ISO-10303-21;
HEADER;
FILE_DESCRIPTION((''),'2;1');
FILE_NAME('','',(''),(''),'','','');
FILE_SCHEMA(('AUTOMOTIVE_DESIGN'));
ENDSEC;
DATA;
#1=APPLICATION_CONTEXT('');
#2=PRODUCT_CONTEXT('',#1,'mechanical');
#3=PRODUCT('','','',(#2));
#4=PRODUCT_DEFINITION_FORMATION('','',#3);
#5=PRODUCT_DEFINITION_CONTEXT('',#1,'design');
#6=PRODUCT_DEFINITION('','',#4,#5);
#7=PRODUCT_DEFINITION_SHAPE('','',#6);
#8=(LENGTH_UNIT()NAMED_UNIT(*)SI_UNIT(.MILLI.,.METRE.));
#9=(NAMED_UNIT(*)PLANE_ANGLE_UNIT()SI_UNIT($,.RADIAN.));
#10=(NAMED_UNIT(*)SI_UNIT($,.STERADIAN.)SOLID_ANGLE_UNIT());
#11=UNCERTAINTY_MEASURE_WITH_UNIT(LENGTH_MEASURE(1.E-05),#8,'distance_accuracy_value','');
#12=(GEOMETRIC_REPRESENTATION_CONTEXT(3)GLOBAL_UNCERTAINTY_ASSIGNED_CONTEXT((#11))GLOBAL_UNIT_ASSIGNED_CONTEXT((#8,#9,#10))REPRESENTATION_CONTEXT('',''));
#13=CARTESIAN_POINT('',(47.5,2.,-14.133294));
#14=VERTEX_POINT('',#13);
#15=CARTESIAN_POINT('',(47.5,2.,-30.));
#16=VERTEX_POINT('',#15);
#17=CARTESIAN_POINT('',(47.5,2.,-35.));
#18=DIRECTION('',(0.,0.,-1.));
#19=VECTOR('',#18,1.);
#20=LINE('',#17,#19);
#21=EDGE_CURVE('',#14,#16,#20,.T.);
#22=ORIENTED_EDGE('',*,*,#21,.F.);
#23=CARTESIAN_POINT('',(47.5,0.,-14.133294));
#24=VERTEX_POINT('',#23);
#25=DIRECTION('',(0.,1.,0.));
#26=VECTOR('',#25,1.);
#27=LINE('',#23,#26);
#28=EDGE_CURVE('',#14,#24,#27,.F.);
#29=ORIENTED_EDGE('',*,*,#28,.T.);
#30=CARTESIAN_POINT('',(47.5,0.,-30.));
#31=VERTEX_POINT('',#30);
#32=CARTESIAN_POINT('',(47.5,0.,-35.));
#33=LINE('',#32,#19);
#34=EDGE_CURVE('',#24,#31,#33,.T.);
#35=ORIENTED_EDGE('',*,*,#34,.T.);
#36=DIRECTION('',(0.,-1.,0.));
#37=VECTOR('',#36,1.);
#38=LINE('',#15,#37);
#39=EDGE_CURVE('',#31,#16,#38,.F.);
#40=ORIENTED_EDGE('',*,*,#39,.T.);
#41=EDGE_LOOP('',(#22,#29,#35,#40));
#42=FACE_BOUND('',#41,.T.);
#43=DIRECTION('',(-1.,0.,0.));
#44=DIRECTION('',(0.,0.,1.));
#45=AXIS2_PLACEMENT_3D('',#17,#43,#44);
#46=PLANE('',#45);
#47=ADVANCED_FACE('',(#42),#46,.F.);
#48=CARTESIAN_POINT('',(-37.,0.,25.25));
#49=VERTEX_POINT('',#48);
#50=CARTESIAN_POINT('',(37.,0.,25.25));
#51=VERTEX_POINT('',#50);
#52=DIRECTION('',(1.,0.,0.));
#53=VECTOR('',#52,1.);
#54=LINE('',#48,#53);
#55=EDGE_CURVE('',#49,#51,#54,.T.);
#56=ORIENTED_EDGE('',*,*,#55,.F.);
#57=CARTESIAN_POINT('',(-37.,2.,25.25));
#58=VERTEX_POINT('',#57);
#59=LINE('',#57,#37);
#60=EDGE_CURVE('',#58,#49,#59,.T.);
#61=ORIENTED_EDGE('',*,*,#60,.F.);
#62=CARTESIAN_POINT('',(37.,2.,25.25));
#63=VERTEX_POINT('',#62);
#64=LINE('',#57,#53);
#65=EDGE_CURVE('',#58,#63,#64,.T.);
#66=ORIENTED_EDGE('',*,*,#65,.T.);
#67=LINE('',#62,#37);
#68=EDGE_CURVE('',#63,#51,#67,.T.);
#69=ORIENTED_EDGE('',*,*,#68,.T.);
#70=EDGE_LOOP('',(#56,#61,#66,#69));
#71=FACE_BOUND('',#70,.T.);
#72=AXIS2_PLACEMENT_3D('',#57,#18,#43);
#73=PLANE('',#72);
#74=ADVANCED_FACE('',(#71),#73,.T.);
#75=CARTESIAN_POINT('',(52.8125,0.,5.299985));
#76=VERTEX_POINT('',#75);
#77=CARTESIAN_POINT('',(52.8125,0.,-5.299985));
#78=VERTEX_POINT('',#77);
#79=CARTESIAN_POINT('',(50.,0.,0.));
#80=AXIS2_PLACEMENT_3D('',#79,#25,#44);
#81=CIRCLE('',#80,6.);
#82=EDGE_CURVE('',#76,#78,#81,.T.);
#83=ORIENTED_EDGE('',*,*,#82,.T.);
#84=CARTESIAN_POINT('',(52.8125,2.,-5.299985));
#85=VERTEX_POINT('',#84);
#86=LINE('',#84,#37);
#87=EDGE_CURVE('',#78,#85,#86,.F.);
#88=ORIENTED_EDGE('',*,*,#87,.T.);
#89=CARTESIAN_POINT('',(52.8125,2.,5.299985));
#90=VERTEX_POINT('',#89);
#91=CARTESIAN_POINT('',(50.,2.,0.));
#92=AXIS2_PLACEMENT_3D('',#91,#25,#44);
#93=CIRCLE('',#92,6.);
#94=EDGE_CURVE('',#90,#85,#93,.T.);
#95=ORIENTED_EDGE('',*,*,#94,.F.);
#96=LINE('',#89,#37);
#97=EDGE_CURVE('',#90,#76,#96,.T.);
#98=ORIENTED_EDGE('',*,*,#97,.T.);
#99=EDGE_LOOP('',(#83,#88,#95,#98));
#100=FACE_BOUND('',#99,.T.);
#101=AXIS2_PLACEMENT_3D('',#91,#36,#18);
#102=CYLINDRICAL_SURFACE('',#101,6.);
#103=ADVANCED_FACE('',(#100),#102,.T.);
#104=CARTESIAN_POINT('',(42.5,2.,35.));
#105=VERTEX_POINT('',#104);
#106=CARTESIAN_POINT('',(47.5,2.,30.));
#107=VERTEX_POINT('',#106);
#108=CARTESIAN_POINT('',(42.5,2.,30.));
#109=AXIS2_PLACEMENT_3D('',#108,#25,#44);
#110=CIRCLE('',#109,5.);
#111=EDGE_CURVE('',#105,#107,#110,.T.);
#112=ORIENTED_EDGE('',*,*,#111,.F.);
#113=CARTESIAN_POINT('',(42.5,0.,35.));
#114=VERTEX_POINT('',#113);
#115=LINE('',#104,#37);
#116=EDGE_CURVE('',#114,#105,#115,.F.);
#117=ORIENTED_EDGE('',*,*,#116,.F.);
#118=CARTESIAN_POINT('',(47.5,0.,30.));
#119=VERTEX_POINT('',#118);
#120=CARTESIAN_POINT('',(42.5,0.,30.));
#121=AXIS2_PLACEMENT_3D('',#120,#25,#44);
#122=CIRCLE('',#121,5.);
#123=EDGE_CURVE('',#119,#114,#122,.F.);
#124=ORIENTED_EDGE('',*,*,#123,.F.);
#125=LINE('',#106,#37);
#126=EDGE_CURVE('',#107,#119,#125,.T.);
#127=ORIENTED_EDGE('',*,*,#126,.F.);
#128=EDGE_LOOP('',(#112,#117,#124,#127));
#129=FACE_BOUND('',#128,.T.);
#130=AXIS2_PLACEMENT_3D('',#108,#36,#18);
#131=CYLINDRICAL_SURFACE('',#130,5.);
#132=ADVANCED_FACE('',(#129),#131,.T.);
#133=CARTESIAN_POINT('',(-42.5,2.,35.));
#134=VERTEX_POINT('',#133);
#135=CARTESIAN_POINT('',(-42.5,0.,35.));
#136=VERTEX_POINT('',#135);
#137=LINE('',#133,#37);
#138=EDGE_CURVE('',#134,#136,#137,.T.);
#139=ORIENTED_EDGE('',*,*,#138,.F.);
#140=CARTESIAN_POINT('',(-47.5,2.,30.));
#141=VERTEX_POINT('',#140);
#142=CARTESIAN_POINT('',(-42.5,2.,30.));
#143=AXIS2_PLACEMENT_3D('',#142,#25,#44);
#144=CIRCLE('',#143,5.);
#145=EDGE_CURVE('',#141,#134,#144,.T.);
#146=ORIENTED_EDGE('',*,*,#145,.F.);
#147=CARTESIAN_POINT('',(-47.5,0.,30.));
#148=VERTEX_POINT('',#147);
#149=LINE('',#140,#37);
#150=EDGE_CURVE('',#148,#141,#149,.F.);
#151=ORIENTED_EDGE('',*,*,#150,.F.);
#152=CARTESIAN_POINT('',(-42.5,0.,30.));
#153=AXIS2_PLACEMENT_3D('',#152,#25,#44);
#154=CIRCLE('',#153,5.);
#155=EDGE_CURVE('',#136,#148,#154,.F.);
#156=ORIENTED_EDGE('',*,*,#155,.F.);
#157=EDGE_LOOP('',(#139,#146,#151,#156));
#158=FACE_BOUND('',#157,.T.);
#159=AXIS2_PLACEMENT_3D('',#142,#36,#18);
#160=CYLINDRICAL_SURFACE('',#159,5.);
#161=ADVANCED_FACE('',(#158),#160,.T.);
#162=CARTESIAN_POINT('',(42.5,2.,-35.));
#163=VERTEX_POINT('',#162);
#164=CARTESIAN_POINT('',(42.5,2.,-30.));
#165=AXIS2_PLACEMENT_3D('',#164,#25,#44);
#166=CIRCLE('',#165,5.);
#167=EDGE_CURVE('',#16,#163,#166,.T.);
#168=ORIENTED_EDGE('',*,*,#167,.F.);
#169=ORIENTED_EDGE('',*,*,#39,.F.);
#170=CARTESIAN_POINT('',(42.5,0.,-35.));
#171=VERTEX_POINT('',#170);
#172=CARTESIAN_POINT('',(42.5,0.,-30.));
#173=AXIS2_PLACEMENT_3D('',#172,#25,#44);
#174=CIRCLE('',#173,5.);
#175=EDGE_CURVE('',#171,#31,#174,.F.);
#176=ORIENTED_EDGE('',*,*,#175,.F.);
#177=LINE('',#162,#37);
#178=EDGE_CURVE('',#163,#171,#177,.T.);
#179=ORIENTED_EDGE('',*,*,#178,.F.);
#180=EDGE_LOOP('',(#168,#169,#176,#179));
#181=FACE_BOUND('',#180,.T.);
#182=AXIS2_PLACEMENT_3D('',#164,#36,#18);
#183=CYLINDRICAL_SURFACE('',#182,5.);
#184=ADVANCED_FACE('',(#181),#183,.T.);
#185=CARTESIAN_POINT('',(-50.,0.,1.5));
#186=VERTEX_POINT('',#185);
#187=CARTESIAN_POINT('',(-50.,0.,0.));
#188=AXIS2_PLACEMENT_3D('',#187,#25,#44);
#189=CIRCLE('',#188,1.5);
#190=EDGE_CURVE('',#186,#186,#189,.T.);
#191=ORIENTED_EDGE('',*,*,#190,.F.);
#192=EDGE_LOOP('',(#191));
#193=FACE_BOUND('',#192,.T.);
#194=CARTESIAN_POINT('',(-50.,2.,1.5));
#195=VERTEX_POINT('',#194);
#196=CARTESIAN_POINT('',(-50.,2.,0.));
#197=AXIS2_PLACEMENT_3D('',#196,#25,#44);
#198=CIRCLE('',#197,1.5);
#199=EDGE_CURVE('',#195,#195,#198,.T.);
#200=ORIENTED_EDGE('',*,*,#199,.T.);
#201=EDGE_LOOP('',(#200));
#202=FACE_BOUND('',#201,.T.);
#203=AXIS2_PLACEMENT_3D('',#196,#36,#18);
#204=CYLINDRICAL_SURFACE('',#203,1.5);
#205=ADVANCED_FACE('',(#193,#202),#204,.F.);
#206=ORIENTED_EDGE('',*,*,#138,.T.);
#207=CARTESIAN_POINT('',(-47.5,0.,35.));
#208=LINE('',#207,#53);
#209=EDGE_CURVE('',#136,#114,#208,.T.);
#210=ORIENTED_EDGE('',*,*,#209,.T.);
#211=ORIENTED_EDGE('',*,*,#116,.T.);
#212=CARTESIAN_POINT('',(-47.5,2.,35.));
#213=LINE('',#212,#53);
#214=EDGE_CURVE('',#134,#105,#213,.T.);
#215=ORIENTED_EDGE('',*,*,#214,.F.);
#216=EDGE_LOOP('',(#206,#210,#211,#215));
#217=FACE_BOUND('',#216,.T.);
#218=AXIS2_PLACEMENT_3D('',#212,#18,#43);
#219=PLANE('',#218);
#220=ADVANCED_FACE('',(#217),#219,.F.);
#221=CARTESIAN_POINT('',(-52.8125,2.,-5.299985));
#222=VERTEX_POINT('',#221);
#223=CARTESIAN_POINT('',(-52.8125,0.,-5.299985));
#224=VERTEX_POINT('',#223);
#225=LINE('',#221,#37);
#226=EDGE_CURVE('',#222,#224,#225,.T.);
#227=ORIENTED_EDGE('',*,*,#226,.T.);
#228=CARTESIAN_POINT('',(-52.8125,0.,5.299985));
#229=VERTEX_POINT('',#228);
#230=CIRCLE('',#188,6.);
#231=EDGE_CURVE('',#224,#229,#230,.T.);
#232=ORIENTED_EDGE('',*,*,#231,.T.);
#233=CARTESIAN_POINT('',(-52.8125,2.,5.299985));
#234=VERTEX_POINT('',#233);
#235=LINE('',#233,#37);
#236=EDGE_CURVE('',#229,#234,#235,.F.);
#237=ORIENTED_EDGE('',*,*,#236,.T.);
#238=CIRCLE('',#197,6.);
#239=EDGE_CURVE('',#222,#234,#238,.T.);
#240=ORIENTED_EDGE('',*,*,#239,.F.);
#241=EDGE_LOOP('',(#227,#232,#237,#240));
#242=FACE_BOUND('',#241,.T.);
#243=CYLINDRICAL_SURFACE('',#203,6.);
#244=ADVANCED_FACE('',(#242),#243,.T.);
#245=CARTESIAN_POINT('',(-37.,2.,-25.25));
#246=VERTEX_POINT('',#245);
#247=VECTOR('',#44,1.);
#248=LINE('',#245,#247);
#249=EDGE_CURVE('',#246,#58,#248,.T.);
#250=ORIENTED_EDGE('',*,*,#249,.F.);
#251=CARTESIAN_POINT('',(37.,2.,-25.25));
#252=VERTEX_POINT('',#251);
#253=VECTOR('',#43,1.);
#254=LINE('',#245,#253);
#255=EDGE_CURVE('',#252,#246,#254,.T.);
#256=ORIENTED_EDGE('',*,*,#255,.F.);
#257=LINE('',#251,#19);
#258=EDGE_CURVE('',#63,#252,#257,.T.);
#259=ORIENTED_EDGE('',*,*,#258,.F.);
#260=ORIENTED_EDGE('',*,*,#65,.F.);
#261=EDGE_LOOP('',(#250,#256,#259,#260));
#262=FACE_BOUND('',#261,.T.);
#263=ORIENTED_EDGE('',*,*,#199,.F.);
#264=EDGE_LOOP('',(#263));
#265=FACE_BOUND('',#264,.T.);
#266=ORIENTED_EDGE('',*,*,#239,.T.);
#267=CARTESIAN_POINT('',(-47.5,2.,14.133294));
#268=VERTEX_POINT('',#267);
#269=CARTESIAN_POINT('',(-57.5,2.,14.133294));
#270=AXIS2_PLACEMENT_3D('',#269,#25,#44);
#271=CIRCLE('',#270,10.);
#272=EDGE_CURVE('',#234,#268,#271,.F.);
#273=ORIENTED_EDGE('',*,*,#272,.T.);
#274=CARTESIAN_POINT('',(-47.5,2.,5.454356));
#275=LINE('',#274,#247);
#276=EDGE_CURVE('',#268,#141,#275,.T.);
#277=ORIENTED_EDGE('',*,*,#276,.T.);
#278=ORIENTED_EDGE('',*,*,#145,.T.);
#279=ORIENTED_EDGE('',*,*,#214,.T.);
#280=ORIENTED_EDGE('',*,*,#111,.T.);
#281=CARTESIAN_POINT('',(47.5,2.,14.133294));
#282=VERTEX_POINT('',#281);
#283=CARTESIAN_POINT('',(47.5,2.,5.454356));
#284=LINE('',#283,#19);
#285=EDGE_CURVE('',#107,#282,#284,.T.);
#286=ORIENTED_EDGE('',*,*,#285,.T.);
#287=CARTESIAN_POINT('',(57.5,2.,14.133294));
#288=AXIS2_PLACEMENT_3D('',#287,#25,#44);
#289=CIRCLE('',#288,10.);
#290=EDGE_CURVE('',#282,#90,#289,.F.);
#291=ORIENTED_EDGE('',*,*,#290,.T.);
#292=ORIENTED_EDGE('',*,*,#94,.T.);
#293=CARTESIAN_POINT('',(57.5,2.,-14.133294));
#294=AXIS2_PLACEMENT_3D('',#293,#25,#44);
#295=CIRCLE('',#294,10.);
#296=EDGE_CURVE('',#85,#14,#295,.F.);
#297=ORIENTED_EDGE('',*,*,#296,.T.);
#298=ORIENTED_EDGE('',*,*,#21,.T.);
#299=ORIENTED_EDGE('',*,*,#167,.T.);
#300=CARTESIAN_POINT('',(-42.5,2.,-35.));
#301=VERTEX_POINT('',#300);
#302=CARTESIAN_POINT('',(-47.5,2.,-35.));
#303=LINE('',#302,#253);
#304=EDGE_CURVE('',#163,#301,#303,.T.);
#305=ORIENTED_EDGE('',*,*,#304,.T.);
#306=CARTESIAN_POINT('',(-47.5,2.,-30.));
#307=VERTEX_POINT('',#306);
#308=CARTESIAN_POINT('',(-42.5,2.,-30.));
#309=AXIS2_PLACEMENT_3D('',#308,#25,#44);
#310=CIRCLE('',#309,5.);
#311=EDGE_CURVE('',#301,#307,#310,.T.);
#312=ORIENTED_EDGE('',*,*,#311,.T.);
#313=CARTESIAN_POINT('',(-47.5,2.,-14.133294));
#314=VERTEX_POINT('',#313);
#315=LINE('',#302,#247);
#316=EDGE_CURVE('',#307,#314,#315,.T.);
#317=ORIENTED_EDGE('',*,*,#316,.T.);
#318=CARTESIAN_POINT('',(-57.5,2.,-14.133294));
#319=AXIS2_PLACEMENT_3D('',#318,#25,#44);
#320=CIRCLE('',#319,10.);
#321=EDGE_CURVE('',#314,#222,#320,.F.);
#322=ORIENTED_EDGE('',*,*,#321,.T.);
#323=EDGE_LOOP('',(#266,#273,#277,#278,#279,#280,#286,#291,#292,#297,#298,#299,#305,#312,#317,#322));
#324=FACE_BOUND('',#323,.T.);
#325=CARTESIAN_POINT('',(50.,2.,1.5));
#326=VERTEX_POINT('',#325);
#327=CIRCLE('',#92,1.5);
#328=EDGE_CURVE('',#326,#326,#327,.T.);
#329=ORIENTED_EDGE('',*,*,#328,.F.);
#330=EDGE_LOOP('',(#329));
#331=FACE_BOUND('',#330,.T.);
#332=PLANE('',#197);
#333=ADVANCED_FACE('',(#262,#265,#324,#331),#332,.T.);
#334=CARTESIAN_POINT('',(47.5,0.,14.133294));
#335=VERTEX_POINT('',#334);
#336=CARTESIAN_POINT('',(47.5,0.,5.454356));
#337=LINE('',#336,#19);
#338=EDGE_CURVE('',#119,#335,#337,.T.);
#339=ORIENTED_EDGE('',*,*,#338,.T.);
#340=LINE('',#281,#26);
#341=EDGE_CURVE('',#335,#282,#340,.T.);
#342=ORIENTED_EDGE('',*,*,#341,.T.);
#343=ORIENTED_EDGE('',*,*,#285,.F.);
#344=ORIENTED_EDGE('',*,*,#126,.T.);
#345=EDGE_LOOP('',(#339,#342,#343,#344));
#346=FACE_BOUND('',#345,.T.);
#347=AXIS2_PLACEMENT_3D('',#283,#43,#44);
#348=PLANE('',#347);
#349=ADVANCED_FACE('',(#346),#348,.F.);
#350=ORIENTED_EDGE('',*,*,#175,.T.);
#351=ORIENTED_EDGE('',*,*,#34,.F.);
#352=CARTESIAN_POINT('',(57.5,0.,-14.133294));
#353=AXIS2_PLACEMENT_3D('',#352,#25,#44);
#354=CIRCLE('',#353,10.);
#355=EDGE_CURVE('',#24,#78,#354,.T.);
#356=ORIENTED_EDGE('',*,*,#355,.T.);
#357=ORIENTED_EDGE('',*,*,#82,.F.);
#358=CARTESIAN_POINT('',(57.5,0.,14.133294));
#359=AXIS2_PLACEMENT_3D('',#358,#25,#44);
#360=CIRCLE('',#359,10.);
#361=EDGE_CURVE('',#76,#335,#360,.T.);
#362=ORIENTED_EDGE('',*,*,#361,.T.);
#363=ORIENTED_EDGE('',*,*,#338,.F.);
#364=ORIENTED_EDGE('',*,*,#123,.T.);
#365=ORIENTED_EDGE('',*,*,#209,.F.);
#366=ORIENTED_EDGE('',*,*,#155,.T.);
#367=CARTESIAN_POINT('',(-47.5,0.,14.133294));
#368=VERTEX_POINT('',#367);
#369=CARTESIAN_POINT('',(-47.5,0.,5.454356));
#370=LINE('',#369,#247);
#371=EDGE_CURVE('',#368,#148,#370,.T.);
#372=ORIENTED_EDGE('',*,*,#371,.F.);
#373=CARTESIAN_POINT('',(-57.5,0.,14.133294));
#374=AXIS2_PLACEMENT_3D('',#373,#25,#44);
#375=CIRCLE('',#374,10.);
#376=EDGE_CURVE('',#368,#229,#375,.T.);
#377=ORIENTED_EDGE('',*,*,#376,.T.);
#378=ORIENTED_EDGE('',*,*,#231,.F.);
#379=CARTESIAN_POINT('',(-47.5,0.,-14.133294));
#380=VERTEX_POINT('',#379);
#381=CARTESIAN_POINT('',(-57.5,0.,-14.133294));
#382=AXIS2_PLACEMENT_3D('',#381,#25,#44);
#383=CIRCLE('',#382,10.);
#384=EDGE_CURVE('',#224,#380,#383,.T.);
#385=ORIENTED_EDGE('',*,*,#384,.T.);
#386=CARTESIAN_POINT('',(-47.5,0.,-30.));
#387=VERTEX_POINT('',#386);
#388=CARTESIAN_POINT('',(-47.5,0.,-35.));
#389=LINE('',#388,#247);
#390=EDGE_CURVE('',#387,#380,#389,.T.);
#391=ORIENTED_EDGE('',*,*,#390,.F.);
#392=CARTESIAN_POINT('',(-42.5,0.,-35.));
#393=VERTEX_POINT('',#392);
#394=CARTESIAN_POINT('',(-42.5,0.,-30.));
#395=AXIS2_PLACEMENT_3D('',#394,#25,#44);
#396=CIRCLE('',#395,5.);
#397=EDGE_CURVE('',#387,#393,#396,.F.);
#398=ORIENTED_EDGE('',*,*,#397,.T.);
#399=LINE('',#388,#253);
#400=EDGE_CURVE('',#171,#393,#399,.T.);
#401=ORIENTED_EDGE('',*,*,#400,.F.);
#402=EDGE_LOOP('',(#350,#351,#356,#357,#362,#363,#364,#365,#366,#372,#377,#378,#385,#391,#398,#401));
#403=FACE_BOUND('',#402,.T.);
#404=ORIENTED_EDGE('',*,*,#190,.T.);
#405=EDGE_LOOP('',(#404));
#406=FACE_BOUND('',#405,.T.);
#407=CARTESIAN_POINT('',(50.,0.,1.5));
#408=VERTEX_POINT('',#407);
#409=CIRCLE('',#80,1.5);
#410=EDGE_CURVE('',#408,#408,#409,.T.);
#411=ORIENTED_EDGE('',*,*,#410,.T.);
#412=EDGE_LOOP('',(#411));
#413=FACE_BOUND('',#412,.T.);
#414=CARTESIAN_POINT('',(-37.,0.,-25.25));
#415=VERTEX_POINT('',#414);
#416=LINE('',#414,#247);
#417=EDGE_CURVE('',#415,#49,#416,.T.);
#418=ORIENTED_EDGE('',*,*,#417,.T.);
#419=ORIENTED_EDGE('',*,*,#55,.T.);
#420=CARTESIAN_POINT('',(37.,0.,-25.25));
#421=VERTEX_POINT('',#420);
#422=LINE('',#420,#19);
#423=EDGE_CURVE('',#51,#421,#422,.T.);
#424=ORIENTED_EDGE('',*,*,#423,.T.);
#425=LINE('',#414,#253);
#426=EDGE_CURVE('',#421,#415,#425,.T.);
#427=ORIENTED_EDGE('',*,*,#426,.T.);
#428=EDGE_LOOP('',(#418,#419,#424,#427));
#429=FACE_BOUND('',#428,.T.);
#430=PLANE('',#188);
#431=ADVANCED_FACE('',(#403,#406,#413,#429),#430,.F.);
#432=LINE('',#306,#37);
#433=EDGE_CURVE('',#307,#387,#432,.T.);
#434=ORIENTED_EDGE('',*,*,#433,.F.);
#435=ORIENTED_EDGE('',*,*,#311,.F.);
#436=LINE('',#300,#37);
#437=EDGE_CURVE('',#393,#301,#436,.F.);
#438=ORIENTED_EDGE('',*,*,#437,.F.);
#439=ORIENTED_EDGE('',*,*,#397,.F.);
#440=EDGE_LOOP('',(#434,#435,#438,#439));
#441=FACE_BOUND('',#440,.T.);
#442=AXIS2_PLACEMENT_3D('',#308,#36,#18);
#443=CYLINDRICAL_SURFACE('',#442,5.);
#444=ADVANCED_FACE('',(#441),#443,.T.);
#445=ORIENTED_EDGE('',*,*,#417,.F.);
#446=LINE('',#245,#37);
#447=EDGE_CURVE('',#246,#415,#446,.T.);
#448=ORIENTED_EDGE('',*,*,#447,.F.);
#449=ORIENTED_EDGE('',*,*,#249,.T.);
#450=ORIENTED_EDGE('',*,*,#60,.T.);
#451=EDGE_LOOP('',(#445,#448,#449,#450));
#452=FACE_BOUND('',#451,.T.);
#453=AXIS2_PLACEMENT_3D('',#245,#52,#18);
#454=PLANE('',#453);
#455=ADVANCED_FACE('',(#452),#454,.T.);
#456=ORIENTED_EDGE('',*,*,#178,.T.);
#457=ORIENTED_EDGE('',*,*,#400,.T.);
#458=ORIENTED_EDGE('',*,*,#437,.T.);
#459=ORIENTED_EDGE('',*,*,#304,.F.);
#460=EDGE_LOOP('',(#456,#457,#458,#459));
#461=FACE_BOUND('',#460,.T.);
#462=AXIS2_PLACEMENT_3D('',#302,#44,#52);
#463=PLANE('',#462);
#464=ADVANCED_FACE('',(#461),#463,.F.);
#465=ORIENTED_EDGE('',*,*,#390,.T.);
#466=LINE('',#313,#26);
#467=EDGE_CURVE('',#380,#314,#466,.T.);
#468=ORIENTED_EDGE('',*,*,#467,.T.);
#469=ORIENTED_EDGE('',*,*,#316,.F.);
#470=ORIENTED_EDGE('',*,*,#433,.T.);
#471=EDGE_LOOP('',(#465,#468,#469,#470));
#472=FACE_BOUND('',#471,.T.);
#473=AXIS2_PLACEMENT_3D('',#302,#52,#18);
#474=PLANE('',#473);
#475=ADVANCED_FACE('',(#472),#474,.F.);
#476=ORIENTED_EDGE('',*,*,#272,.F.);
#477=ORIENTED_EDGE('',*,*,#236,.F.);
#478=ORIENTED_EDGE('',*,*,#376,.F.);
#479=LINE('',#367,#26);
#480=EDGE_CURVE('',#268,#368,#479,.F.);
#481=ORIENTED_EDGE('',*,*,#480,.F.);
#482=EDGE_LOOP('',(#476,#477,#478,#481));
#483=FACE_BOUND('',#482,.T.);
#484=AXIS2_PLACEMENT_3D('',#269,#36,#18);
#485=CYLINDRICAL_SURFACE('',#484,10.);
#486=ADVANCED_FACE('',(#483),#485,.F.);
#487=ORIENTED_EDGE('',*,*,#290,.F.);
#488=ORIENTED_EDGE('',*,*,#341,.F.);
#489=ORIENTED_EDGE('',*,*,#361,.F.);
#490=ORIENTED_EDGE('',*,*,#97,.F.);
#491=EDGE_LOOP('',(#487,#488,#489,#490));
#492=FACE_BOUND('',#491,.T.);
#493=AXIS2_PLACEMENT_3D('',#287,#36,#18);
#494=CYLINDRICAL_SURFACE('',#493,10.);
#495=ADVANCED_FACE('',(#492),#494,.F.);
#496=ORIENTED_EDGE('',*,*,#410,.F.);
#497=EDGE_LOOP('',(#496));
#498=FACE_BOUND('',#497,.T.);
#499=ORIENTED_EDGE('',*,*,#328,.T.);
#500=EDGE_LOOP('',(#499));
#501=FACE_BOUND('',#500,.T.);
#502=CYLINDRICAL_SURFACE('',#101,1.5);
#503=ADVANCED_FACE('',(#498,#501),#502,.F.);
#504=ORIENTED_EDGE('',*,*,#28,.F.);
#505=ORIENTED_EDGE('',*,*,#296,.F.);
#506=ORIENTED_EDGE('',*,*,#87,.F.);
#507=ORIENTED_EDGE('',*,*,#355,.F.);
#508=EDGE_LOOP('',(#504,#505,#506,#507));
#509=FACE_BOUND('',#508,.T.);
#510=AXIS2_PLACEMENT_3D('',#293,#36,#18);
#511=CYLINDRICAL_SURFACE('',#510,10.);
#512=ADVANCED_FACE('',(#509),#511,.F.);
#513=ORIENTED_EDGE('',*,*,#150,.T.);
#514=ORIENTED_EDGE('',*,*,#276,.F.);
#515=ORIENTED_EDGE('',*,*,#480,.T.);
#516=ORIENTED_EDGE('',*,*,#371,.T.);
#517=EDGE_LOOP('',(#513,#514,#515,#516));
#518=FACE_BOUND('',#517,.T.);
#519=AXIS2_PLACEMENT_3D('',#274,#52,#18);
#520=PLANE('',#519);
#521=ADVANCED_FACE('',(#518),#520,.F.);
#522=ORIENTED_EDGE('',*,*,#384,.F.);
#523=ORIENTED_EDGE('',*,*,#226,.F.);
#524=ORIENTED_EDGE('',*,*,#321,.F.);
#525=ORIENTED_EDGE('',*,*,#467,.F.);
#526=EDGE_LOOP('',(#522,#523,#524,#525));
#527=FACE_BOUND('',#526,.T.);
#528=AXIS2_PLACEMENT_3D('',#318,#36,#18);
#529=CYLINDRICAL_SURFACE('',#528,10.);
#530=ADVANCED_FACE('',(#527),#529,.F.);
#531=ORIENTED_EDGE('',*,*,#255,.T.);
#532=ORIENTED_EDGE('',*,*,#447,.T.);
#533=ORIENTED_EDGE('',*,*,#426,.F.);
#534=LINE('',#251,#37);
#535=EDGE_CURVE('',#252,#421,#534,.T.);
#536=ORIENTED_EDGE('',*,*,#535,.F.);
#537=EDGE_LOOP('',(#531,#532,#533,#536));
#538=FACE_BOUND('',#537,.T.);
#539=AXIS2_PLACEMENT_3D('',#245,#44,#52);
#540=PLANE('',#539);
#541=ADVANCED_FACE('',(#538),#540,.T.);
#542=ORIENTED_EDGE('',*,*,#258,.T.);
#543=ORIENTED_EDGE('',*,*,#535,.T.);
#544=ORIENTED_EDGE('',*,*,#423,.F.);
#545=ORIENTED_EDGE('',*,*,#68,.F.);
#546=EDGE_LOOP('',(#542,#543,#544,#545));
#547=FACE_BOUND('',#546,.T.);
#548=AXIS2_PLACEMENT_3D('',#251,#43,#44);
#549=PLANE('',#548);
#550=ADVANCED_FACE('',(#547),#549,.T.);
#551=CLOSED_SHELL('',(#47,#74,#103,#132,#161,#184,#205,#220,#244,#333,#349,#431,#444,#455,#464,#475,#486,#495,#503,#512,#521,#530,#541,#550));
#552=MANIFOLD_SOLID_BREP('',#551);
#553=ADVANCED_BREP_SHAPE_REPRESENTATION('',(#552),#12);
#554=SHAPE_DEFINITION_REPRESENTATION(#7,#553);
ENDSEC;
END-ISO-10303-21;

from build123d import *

# Parameters (mm, degrees)
SKETCH2_R           = 1.5
SKETCH2_W           = 74
SKETCH2_H           = 50.5
BOSS_EXTRUDE1_DEPTH = 2
FILLET1_R           = 5
FILLET2_R           = 10


with BuildPart() as part:
    # Sketch2 → Boss-Extrude1 (new body)
    with BuildSketch(Plane(origin=(0, 0, 0), x_dir=(1, 0, 0), z_dir=(0, 1, 0))):
        with BuildLine():
            Line((-47.5, 35), (47.5, 35))
            Line((47.5, 35), (47.5, 5.454356057))
            ThreePointArc((47.5, 5.454356057), (56, 0), (47.5, -5.454356057))
            Line((47.5, -5.454356057), (47.5, -35))
            Line((47.5, -35), (-47.5, -35))
            Line((-47.5, -35), (-47.5, -5.454356057))
            ThreePointArc((-47.5, -5.454356057), (-56, 0), (-47.5, 5.454356057))
            Line((-47.5, 5.454356057), (-47.5, 35))
        make_face()
        with Locations(Location((-50, 0, 0), (0, 0, 270))):
            Circle(SKETCH2_R, mode=Mode.SUBTRACT)
        with Locations(Location((50, 0, 0), (0, 0, 270))):
            Circle(SKETCH2_R, mode=Mode.SUBTRACT)
        Rectangle(SKETCH2_W, SKETCH2_H, mode=Mode.SUBTRACT)
    extrude(amount=BOSS_EXTRUDE1_DEPTH)

    # Fillet1
    fillet1_edges = [part.edges().sort_by_distance(p)[0] for p in [
        (-47.5, 1, -35),
        (47.5, 1, -35),
        (47.5, 1, 35),
        (-47.5, 1, 35),
    ]]
    fillet(fillet1_edges, radius=FILLET1_R)

    # Fillet2
    fillet2_edges = [part.edges().sort_by_distance(p)[0] for p in [
        (47.5, 1, -5.454356057),
        (47.5, 1, 5.454356057),
        (-47.5, 1, 5.454356057),
        (-47.5, 1, -5.454356057),
    ]]
    fillet(fillet2_edges, radius=FILLET2_R)


solid = part.part
